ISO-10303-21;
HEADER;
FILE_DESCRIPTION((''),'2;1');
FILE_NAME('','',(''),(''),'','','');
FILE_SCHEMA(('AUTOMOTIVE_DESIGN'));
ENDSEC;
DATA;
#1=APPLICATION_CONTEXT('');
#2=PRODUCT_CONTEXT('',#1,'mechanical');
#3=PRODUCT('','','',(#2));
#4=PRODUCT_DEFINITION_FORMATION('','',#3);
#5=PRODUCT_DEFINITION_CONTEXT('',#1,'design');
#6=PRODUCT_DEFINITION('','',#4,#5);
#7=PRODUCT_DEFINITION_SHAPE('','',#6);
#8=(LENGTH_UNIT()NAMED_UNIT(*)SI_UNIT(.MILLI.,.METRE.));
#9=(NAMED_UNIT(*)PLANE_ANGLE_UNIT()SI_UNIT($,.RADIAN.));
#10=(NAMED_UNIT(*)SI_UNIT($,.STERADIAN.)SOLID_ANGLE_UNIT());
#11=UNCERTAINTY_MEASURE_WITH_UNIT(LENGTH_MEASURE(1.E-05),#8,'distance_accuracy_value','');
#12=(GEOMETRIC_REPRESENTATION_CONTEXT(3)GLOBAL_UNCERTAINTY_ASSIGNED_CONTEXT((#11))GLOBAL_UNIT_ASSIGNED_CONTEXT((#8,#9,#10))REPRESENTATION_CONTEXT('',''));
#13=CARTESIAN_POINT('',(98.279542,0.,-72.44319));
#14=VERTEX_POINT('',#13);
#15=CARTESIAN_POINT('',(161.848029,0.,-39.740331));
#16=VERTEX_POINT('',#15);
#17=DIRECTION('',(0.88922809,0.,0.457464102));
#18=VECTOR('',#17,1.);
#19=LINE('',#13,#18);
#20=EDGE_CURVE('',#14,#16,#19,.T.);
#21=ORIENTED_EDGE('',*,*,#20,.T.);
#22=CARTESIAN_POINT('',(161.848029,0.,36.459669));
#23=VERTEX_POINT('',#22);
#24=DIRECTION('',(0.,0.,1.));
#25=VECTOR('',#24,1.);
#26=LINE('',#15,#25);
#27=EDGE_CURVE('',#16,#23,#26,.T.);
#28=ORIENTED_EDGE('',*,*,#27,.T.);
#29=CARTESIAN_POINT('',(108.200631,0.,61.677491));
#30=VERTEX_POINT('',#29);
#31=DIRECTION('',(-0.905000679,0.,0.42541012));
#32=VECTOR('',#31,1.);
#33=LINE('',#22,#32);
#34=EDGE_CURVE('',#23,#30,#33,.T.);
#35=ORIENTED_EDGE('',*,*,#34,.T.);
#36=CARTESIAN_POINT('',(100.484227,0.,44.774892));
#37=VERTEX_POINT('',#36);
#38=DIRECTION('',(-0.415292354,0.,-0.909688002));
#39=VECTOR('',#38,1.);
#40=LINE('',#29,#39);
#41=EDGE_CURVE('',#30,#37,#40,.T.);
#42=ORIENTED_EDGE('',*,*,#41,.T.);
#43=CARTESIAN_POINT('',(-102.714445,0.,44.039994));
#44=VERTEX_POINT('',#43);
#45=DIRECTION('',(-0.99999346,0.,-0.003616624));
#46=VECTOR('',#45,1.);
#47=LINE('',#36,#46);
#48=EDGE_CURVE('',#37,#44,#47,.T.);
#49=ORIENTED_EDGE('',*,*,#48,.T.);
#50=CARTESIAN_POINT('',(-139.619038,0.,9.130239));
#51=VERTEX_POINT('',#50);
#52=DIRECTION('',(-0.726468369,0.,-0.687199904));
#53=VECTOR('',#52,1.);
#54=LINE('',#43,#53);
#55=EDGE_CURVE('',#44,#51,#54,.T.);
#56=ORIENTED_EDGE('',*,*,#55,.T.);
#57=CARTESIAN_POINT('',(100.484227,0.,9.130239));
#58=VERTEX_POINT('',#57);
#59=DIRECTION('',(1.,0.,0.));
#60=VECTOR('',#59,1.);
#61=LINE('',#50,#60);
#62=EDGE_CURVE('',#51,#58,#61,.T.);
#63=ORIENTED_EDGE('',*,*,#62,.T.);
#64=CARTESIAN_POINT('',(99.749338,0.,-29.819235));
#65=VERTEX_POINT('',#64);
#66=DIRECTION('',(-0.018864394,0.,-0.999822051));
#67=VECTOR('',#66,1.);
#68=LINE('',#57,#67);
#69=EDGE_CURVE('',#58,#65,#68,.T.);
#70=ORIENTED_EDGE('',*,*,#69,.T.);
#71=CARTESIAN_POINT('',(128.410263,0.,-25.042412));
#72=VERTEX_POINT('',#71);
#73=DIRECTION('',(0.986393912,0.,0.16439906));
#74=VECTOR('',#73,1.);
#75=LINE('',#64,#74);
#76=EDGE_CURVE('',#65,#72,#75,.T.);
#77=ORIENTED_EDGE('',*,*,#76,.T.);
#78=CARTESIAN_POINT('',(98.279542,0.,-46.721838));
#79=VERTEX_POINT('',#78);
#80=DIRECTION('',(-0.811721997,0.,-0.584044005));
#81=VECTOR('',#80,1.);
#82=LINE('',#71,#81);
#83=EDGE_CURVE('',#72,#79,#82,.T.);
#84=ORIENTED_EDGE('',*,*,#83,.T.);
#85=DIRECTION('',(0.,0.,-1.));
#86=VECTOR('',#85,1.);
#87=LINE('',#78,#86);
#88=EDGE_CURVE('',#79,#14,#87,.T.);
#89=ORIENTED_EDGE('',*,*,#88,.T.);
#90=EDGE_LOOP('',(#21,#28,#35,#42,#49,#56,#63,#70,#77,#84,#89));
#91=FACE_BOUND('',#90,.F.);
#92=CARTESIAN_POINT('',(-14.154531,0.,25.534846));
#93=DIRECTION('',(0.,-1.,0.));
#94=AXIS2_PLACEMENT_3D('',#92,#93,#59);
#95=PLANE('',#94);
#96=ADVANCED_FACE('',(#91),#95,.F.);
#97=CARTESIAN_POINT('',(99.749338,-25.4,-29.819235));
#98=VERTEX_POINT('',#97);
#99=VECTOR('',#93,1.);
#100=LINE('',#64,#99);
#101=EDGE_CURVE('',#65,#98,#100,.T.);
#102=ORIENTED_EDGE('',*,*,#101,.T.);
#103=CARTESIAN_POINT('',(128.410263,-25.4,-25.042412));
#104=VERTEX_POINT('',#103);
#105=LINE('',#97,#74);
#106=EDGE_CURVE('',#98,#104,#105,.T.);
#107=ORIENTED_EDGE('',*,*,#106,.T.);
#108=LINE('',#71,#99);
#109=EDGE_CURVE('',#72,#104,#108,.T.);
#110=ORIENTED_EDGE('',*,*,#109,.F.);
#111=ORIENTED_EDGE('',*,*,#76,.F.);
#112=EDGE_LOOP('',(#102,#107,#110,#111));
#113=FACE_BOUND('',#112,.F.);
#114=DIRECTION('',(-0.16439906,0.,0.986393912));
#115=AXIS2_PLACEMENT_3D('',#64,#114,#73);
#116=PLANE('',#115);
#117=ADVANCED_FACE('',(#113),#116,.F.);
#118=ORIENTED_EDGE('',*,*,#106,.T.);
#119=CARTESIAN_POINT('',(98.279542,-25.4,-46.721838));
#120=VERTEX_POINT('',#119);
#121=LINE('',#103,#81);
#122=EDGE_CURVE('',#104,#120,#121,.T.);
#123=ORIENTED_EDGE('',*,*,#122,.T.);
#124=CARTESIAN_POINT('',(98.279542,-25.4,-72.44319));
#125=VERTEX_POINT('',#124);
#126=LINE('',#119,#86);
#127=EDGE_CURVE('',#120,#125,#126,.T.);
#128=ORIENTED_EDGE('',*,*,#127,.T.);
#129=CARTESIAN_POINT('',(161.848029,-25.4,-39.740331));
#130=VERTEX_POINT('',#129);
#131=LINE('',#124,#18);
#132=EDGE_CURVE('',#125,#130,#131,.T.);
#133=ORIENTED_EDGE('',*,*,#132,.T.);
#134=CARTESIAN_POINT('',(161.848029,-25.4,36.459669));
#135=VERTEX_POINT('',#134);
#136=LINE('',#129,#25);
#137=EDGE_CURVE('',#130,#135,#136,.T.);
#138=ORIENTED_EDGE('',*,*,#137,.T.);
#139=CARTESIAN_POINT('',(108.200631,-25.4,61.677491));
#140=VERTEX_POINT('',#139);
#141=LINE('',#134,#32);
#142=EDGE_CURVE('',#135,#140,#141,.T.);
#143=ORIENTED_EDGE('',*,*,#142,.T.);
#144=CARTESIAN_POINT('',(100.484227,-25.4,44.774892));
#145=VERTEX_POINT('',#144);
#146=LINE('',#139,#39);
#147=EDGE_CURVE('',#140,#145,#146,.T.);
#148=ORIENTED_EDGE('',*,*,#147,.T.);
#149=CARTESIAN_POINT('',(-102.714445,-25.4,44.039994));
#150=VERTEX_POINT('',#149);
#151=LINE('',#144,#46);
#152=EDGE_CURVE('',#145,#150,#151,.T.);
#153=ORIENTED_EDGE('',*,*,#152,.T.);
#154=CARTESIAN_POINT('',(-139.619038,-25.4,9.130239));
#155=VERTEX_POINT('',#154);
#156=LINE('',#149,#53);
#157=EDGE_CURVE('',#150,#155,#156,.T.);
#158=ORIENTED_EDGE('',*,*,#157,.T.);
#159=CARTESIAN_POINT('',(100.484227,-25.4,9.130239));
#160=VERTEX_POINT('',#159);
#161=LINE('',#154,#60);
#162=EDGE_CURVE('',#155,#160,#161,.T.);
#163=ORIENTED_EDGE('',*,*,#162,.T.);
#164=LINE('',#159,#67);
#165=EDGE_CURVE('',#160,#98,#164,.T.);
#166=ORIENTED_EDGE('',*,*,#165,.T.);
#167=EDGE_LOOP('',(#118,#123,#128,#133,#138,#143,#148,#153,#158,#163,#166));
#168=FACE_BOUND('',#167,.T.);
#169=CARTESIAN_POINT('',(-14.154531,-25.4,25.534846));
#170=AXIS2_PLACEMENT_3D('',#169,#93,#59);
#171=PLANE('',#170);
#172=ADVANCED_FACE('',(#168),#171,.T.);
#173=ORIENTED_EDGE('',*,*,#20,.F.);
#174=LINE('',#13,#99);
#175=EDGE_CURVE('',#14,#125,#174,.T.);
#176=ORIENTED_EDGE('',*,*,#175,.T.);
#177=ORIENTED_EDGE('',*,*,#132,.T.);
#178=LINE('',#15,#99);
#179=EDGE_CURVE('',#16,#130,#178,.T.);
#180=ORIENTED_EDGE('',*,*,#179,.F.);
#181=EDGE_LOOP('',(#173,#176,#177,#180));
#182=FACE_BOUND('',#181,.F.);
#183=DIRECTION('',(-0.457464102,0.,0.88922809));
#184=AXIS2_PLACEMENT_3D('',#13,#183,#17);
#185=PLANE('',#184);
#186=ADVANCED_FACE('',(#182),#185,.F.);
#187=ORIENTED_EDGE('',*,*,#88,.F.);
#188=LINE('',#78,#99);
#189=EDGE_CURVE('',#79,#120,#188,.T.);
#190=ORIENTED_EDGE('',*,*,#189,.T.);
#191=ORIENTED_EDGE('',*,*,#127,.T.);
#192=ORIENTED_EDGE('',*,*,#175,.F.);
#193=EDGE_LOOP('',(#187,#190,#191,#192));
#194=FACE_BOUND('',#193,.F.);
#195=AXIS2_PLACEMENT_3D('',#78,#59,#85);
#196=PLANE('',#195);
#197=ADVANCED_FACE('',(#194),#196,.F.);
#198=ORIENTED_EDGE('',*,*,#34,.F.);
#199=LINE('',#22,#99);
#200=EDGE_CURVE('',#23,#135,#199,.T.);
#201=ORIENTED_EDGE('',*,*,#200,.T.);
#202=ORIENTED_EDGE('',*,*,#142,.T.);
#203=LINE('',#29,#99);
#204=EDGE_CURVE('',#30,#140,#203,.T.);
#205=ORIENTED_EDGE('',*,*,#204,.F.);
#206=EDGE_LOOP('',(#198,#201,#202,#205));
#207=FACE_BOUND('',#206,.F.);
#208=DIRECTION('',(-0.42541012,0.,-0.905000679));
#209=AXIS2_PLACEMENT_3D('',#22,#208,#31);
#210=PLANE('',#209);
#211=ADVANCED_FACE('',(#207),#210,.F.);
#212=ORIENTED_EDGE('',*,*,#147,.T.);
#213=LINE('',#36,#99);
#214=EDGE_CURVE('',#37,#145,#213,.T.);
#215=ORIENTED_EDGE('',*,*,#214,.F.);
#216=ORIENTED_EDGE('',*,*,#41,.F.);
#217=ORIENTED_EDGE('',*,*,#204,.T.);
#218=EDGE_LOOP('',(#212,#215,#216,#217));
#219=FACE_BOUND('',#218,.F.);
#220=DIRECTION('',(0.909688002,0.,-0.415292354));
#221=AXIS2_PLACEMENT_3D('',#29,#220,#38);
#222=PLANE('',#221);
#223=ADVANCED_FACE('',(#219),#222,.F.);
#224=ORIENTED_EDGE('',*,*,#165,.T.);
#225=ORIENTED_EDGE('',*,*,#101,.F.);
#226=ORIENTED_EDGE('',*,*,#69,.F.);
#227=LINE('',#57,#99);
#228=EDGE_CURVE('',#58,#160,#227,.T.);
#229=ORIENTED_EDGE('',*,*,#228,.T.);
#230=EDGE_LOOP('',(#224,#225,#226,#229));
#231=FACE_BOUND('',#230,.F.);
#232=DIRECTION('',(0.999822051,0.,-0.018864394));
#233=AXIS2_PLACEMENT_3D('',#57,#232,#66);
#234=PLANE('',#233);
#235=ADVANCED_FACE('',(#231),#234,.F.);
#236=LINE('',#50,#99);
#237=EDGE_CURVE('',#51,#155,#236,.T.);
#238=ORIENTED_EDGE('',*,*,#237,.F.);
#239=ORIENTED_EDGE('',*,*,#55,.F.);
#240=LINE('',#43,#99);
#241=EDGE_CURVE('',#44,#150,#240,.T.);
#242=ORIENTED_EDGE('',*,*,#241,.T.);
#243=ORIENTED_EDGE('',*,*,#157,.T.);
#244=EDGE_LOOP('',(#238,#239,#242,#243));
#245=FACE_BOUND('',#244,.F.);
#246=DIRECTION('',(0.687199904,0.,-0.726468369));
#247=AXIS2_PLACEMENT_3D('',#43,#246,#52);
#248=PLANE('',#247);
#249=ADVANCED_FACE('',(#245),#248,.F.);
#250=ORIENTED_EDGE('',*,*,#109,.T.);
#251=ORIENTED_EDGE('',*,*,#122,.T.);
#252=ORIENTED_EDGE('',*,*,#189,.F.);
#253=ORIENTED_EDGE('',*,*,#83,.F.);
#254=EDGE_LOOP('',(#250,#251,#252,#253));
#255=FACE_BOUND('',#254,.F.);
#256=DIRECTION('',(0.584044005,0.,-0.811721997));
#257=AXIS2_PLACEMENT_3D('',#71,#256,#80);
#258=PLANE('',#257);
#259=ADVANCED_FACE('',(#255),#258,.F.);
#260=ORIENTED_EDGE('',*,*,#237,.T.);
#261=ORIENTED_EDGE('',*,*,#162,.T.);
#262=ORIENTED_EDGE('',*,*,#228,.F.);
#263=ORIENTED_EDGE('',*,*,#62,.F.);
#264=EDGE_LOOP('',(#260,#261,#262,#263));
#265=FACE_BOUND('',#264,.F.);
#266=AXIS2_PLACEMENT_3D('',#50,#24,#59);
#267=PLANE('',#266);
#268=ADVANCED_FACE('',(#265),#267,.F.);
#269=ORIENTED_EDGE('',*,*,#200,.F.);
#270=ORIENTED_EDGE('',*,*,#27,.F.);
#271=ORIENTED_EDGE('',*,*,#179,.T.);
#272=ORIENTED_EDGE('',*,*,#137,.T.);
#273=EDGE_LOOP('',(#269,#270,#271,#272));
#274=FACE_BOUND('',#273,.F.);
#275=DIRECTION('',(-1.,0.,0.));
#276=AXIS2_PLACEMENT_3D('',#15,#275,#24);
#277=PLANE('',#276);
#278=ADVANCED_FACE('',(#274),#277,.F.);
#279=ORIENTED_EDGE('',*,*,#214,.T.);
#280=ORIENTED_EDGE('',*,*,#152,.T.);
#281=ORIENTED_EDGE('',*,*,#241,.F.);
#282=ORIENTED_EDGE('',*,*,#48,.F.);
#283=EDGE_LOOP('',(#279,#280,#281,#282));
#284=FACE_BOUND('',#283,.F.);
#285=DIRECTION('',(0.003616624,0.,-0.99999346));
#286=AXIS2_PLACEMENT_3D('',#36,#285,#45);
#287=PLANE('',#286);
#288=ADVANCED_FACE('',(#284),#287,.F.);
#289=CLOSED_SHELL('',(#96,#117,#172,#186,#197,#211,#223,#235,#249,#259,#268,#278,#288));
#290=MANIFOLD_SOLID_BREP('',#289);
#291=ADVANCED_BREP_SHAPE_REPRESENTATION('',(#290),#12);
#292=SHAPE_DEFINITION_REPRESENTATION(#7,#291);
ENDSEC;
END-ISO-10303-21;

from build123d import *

# Parameters (mm, degrees)
F1_DEPTH = 25.4


with BuildPart() as f1:
    # F0 (on Front) → F1 (new body)
    with BuildSketch(Plane.XZ):
        Polygon((100.484227, 44.774892), (-102.714445, 44.039994), (-139.619038, 9.130239), (100.484227, 9.130239), align=None)
        Polygon((108.200631, 61.677491), (100.484227, 44.774892), (100.484227, 9.130239), (99.749338, -29.819235), (128.410263, -25.042412), (98.279542, -46.721838), (98.279542, -72.44319), (161.848029, -39.740331), (161.848029, 36.459669), align=None)
    extrude(amount=F1_DEPTH)


solid = f1.part
